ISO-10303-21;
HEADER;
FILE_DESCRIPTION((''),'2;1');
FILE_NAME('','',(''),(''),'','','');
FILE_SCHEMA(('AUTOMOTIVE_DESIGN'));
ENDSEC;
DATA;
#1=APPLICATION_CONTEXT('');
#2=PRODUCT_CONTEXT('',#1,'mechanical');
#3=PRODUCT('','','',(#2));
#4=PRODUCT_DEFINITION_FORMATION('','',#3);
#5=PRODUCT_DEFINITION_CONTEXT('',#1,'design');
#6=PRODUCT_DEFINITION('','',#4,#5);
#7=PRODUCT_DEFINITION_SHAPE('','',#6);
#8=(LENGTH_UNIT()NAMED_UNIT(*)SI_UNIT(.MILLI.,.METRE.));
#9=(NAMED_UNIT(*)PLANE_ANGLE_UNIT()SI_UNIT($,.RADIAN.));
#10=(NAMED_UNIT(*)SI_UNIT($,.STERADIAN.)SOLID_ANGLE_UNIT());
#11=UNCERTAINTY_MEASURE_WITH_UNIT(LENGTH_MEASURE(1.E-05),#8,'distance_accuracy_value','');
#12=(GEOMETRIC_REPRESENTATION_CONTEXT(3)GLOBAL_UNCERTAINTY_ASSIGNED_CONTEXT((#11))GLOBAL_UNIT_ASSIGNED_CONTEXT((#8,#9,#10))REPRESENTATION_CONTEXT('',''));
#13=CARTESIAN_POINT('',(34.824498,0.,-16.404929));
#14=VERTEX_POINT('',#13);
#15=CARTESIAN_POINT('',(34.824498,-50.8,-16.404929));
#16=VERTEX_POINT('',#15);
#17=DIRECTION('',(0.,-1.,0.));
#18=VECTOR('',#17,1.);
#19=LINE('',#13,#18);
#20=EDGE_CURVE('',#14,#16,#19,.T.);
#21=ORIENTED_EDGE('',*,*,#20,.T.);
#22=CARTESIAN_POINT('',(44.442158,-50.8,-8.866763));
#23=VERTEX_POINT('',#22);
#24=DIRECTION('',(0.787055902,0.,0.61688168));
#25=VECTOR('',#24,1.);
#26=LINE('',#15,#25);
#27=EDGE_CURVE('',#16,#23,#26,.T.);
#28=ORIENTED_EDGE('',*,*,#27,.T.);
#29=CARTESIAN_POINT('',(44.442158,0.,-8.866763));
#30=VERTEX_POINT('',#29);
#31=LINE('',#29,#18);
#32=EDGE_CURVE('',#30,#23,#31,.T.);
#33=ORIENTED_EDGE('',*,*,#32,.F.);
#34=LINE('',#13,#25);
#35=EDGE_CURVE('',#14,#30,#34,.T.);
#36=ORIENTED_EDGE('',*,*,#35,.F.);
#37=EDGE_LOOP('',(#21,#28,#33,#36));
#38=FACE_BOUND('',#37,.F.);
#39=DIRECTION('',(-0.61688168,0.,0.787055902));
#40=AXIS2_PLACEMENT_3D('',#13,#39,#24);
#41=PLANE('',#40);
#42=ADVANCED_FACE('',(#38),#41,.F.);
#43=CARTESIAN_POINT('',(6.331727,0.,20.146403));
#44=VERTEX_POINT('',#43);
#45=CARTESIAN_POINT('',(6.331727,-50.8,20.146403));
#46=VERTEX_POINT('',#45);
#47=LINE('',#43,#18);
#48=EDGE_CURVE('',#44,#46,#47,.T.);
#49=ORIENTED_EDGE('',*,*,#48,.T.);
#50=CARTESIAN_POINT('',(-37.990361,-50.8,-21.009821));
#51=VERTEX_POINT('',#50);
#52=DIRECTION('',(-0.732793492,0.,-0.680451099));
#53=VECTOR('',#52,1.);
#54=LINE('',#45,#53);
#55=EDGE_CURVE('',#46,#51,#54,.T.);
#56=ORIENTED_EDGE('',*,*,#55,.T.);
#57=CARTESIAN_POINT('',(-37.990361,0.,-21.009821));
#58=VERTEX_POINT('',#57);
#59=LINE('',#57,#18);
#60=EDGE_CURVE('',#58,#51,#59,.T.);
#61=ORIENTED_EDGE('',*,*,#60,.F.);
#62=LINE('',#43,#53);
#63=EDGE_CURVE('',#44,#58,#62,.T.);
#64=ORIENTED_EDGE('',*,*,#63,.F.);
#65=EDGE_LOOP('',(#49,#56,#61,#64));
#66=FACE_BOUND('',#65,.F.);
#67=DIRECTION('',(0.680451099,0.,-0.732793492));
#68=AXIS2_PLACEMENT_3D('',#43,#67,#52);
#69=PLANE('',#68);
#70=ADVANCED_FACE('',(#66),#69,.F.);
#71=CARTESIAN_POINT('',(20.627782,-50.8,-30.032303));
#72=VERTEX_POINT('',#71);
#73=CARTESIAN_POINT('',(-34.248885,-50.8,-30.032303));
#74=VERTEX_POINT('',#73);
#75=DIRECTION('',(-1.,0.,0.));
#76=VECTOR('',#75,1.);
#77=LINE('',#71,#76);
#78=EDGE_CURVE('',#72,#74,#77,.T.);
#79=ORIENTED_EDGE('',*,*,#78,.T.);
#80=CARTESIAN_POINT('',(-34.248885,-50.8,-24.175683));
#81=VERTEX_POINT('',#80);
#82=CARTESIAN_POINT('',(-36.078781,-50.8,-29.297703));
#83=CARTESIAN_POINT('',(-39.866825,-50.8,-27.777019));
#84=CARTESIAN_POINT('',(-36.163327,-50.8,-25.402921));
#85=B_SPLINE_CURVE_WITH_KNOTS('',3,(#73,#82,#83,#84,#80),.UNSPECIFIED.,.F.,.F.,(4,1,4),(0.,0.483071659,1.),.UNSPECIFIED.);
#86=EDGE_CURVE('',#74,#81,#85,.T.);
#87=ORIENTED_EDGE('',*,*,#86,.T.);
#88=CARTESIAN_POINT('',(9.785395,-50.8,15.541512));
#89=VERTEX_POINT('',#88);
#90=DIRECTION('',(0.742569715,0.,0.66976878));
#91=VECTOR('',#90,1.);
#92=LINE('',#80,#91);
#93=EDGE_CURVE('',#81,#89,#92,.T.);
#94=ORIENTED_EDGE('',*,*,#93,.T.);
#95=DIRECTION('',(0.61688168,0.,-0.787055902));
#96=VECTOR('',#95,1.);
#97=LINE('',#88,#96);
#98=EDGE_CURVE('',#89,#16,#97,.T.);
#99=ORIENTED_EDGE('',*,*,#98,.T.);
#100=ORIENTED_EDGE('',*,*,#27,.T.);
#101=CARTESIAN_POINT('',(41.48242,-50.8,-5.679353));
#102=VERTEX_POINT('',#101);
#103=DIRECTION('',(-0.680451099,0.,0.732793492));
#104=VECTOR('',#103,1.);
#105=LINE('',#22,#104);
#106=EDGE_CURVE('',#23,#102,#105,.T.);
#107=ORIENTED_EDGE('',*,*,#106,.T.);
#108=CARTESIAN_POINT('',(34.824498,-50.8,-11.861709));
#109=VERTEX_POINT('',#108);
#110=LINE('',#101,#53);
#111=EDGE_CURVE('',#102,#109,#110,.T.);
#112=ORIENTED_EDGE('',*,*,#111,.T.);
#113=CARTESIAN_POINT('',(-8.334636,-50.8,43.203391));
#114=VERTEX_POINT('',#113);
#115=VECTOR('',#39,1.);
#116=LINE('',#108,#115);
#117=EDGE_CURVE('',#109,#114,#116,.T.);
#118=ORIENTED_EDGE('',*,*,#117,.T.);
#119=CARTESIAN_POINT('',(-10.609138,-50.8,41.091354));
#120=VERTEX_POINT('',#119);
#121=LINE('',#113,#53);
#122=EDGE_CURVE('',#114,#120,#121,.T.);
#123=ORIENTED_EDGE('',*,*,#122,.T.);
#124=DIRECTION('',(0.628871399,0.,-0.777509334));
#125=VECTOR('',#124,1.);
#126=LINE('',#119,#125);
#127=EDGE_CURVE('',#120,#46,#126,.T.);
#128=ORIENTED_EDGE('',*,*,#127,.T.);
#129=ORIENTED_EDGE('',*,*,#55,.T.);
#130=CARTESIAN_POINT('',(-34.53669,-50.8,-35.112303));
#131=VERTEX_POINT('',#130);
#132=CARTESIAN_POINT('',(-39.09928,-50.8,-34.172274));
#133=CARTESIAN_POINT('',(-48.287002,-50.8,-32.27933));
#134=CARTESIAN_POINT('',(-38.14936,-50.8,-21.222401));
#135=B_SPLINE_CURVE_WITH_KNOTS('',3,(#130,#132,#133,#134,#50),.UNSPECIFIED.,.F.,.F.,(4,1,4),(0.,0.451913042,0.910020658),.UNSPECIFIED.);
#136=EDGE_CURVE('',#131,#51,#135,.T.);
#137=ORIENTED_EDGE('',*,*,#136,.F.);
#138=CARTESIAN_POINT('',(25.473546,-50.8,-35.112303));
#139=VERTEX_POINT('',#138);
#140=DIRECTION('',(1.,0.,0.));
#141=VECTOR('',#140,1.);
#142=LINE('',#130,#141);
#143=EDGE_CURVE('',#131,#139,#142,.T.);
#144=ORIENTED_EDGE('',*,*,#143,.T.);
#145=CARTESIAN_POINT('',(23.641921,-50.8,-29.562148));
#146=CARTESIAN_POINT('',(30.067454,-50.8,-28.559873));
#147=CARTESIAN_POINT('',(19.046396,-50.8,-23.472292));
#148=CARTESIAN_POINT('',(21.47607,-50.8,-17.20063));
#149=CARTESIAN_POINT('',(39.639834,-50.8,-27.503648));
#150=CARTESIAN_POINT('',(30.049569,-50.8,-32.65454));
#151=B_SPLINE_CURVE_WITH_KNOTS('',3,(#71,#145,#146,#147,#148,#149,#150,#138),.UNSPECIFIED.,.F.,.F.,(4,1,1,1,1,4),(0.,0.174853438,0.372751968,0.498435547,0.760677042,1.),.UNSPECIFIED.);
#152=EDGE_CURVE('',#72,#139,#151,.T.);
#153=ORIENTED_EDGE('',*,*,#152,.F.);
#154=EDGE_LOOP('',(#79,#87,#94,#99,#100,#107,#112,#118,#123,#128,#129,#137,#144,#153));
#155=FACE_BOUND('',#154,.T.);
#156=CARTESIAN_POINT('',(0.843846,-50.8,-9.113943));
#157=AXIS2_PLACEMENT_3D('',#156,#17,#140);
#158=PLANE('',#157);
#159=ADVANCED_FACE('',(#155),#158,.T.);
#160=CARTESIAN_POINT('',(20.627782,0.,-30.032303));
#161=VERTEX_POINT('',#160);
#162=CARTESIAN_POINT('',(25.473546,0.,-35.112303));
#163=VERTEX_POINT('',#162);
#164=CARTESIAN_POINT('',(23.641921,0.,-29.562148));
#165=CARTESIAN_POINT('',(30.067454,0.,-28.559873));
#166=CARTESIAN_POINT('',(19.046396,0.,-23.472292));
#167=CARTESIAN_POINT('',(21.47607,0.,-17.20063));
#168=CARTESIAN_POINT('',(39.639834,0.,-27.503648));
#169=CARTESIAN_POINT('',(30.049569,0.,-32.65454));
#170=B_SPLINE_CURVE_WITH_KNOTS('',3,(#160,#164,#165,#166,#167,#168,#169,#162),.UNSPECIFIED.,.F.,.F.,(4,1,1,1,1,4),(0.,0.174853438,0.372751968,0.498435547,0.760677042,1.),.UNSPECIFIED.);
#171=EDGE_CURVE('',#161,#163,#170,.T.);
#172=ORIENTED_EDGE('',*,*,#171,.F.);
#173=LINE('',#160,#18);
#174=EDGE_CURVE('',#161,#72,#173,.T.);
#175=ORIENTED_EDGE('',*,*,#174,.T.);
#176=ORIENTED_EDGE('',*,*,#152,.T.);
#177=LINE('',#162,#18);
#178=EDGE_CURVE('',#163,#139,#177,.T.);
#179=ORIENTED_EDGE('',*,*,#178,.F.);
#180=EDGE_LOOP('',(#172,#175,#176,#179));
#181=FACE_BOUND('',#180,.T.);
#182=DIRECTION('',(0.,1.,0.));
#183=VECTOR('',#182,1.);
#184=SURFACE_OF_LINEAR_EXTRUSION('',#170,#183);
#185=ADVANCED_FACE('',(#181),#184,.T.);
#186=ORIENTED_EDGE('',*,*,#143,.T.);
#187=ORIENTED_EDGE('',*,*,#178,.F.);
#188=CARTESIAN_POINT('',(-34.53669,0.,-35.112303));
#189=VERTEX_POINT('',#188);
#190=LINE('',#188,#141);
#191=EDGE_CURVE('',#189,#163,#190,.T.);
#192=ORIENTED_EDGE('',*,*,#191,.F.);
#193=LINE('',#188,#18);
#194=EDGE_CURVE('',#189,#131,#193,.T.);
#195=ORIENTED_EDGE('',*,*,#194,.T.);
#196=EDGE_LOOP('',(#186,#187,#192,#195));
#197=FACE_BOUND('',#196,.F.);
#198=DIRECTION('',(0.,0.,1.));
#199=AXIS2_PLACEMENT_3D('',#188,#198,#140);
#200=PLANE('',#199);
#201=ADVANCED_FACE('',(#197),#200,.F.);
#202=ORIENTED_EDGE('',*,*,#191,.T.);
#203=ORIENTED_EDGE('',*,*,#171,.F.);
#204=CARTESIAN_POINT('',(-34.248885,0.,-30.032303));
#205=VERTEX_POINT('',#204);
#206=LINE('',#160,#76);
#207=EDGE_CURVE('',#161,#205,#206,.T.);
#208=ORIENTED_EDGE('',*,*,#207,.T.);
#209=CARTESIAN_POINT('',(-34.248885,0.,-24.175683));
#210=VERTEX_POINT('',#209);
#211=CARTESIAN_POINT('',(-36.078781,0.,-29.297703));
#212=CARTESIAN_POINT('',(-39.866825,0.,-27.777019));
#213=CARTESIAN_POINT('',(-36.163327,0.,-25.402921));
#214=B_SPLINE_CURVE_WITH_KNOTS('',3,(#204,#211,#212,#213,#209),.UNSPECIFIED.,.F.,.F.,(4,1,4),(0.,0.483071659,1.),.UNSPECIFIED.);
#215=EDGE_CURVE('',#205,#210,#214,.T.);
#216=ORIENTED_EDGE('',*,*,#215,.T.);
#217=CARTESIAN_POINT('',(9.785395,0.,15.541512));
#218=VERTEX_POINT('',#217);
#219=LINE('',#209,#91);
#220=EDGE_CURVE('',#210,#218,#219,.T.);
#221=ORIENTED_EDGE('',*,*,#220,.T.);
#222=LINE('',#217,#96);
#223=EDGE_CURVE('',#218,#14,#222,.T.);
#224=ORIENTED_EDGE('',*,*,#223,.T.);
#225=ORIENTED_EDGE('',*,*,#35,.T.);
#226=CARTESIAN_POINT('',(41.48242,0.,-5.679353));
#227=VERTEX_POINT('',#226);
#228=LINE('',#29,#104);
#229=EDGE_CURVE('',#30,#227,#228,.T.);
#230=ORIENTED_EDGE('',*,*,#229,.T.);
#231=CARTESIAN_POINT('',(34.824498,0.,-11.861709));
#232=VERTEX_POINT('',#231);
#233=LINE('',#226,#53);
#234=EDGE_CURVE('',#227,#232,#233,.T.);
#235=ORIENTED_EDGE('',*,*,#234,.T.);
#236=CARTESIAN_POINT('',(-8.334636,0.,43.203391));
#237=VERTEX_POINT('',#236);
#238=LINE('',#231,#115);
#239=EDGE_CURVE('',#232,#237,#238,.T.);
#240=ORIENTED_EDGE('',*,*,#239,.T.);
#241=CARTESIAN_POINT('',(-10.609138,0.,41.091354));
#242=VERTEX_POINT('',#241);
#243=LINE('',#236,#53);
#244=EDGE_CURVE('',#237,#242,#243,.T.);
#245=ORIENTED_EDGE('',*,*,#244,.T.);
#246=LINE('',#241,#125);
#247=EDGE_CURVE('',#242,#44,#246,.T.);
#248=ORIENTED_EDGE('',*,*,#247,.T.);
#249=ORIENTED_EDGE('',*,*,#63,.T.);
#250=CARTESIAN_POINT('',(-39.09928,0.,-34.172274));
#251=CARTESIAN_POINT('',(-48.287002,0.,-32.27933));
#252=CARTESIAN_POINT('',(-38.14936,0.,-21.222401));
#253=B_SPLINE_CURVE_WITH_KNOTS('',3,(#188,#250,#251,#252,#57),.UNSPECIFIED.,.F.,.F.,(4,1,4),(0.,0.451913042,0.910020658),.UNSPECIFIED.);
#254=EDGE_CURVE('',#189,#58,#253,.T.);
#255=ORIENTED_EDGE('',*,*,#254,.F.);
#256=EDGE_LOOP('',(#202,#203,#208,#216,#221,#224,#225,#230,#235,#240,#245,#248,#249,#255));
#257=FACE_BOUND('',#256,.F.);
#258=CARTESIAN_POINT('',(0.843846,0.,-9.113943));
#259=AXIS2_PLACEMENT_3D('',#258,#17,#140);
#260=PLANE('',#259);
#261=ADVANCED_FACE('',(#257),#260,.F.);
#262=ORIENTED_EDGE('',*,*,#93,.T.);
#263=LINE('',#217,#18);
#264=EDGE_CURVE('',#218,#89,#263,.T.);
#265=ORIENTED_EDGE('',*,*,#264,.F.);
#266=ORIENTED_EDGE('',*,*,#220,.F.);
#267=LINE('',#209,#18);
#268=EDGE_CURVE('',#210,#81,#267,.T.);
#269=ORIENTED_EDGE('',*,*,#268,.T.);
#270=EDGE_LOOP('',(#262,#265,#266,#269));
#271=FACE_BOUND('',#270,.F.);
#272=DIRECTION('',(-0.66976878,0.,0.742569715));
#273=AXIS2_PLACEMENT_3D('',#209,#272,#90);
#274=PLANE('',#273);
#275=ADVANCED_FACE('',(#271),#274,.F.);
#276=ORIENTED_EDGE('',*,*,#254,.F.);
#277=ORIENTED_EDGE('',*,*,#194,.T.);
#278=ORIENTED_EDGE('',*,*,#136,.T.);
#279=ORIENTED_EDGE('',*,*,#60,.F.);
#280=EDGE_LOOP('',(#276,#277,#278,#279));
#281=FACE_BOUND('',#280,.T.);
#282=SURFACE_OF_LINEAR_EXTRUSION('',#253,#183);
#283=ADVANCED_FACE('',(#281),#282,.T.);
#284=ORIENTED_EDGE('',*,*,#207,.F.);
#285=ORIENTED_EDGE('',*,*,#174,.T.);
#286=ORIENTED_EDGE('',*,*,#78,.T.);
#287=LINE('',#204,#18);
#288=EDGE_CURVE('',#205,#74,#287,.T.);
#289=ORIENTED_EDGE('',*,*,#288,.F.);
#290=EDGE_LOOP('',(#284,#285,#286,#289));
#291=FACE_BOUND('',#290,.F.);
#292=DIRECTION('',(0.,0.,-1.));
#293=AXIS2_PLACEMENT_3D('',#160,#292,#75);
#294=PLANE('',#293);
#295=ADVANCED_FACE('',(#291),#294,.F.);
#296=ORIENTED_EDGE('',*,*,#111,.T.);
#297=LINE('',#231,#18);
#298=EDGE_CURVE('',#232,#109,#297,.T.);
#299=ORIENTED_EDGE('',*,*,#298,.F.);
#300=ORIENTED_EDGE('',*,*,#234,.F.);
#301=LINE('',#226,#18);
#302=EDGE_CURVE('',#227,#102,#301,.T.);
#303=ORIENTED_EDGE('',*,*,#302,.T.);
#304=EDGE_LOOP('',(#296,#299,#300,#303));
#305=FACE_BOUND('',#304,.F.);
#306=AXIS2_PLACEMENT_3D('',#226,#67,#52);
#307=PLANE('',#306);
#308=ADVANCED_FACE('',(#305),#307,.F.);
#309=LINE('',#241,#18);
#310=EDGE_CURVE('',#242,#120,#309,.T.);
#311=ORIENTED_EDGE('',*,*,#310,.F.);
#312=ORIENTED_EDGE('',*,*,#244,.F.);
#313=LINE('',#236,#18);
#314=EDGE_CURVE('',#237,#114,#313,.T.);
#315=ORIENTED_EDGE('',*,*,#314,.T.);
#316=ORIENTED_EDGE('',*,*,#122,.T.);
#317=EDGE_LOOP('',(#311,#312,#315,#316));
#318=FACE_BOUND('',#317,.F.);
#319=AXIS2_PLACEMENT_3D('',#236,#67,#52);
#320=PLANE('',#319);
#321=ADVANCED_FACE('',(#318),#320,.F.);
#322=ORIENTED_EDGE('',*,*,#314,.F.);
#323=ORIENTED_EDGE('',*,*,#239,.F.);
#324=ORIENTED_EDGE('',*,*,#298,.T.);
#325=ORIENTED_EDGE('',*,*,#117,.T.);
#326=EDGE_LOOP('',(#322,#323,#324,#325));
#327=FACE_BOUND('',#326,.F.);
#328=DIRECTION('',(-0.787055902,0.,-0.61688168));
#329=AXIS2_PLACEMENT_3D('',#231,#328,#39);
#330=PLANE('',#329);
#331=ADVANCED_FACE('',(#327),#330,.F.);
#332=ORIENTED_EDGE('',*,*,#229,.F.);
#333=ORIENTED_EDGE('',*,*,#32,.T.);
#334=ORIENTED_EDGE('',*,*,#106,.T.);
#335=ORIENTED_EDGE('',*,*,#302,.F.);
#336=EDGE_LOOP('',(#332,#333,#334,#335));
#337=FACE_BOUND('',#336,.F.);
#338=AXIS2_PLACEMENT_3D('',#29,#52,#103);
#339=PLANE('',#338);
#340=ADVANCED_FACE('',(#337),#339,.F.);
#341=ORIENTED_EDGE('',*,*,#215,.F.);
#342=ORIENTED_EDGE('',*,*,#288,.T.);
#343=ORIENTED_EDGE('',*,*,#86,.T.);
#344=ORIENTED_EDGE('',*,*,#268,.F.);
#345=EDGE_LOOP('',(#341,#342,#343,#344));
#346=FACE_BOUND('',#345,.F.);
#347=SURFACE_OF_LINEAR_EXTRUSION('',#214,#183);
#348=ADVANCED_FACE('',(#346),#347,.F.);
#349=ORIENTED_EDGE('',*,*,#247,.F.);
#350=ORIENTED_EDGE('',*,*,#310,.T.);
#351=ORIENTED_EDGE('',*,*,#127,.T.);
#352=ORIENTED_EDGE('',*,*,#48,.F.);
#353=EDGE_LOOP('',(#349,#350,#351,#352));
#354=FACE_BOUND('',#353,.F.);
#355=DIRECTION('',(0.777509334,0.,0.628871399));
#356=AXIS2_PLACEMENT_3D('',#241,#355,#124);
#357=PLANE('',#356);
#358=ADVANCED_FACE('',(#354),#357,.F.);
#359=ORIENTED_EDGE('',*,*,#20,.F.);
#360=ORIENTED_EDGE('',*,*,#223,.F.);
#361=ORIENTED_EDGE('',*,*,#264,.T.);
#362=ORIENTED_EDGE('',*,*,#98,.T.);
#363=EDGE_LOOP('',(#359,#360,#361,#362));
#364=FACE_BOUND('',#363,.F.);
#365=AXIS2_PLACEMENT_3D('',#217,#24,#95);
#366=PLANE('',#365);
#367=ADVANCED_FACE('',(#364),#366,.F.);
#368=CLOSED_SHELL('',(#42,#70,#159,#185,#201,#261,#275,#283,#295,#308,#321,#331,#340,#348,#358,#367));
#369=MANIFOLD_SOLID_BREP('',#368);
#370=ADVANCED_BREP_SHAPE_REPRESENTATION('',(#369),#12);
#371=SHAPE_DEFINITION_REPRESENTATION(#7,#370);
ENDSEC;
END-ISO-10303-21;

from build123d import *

# Parameters (mm, degrees)
F1_DEPTH = 50.8


with BuildPart() as f1:
    # F0 (on Front) → F1 (new body)
    with BuildSketch(Plane.XZ):
        with BuildLine():
            Line((20.6277817488, -30.0323027503), (-34.2488847673, -30.0323027503))
            add(Edge.make_bspline(
                [(-34.2488847673, -30.0323027503), (-36.0787812183, -29.2977031807), (-39.8668247047, -27.7770187107), (-36.1633274562, -25.4029212819), (-34.2488847673, -24.1756830364)],
                knots=[0, 0, 0, 0, 0.4830716589, 1, 1, 1, 1], degree=3))
            Line((-34.2488847673, -24.1756830364), (9.7853951156, 15.5415115878))
            Line((9.7853951156, 15.5415115878), (34.8244979978, -16.4049286395))
            Line((34.8244979978, -16.4049286395), (44.4421577446, -8.8667625661))
            Line((44.4421577446, -8.8667625661), (41.4824201897, -5.6793528915))
            Line((41.4824201897, -5.6793528915), (34.8244979978, -11.8617092126))
            Line((34.8244979978, -11.8617092126), (-8.334636312, 43.2033908023))
            Line((-8.334636312, 43.2033908023), (-10.6091376005, 41.0913538915))
            Line((-10.6091376005, 41.0913538915), (6.3317269087, 20.1464034617))
            Line((6.3317269087, 20.1464034617), (-37.9903614521, -21.0098214447))
            add(Edge.make_bspline(
                [(-34.5366895199, -35.1123027503), (-39.0992799631, -34.1722735839), (-48.2870023142, -32.2793298514), (-38.1493600414, -21.2224009726), (-37.9903614521, -21.0098214447)],
                knots=[0, 0, 0, 0, 0.4519130419, 0.9100206577, 0.9100206577, 0.9100206577, 0.9100206577], degree=3))
            Line((-34.5366895199, -35.1123027503), (25.4735462368, -35.1123027503))
            add(Edge.make_bspline(
                [(20.6277817488, -30.0323027503), (23.6419212871, -29.5621478175), (30.0674537837, -28.5598731181), (19.0463962249, -23.4722920894), (21.4760696746, -17.2006300885), (39.6398335391, -27.503648005), (30.049569168, -32.6545396225), (25.4735462368, -35.1123027503)],
                knots=[0, 0, 0, 0, 0.1748534376, 0.3727519681, 0.4984355469, 0.7606770418, 1, 1, 1, 1], degree=3))
        make_face()
    extrude(amount=F1_DEPTH)


solid = f1.part
